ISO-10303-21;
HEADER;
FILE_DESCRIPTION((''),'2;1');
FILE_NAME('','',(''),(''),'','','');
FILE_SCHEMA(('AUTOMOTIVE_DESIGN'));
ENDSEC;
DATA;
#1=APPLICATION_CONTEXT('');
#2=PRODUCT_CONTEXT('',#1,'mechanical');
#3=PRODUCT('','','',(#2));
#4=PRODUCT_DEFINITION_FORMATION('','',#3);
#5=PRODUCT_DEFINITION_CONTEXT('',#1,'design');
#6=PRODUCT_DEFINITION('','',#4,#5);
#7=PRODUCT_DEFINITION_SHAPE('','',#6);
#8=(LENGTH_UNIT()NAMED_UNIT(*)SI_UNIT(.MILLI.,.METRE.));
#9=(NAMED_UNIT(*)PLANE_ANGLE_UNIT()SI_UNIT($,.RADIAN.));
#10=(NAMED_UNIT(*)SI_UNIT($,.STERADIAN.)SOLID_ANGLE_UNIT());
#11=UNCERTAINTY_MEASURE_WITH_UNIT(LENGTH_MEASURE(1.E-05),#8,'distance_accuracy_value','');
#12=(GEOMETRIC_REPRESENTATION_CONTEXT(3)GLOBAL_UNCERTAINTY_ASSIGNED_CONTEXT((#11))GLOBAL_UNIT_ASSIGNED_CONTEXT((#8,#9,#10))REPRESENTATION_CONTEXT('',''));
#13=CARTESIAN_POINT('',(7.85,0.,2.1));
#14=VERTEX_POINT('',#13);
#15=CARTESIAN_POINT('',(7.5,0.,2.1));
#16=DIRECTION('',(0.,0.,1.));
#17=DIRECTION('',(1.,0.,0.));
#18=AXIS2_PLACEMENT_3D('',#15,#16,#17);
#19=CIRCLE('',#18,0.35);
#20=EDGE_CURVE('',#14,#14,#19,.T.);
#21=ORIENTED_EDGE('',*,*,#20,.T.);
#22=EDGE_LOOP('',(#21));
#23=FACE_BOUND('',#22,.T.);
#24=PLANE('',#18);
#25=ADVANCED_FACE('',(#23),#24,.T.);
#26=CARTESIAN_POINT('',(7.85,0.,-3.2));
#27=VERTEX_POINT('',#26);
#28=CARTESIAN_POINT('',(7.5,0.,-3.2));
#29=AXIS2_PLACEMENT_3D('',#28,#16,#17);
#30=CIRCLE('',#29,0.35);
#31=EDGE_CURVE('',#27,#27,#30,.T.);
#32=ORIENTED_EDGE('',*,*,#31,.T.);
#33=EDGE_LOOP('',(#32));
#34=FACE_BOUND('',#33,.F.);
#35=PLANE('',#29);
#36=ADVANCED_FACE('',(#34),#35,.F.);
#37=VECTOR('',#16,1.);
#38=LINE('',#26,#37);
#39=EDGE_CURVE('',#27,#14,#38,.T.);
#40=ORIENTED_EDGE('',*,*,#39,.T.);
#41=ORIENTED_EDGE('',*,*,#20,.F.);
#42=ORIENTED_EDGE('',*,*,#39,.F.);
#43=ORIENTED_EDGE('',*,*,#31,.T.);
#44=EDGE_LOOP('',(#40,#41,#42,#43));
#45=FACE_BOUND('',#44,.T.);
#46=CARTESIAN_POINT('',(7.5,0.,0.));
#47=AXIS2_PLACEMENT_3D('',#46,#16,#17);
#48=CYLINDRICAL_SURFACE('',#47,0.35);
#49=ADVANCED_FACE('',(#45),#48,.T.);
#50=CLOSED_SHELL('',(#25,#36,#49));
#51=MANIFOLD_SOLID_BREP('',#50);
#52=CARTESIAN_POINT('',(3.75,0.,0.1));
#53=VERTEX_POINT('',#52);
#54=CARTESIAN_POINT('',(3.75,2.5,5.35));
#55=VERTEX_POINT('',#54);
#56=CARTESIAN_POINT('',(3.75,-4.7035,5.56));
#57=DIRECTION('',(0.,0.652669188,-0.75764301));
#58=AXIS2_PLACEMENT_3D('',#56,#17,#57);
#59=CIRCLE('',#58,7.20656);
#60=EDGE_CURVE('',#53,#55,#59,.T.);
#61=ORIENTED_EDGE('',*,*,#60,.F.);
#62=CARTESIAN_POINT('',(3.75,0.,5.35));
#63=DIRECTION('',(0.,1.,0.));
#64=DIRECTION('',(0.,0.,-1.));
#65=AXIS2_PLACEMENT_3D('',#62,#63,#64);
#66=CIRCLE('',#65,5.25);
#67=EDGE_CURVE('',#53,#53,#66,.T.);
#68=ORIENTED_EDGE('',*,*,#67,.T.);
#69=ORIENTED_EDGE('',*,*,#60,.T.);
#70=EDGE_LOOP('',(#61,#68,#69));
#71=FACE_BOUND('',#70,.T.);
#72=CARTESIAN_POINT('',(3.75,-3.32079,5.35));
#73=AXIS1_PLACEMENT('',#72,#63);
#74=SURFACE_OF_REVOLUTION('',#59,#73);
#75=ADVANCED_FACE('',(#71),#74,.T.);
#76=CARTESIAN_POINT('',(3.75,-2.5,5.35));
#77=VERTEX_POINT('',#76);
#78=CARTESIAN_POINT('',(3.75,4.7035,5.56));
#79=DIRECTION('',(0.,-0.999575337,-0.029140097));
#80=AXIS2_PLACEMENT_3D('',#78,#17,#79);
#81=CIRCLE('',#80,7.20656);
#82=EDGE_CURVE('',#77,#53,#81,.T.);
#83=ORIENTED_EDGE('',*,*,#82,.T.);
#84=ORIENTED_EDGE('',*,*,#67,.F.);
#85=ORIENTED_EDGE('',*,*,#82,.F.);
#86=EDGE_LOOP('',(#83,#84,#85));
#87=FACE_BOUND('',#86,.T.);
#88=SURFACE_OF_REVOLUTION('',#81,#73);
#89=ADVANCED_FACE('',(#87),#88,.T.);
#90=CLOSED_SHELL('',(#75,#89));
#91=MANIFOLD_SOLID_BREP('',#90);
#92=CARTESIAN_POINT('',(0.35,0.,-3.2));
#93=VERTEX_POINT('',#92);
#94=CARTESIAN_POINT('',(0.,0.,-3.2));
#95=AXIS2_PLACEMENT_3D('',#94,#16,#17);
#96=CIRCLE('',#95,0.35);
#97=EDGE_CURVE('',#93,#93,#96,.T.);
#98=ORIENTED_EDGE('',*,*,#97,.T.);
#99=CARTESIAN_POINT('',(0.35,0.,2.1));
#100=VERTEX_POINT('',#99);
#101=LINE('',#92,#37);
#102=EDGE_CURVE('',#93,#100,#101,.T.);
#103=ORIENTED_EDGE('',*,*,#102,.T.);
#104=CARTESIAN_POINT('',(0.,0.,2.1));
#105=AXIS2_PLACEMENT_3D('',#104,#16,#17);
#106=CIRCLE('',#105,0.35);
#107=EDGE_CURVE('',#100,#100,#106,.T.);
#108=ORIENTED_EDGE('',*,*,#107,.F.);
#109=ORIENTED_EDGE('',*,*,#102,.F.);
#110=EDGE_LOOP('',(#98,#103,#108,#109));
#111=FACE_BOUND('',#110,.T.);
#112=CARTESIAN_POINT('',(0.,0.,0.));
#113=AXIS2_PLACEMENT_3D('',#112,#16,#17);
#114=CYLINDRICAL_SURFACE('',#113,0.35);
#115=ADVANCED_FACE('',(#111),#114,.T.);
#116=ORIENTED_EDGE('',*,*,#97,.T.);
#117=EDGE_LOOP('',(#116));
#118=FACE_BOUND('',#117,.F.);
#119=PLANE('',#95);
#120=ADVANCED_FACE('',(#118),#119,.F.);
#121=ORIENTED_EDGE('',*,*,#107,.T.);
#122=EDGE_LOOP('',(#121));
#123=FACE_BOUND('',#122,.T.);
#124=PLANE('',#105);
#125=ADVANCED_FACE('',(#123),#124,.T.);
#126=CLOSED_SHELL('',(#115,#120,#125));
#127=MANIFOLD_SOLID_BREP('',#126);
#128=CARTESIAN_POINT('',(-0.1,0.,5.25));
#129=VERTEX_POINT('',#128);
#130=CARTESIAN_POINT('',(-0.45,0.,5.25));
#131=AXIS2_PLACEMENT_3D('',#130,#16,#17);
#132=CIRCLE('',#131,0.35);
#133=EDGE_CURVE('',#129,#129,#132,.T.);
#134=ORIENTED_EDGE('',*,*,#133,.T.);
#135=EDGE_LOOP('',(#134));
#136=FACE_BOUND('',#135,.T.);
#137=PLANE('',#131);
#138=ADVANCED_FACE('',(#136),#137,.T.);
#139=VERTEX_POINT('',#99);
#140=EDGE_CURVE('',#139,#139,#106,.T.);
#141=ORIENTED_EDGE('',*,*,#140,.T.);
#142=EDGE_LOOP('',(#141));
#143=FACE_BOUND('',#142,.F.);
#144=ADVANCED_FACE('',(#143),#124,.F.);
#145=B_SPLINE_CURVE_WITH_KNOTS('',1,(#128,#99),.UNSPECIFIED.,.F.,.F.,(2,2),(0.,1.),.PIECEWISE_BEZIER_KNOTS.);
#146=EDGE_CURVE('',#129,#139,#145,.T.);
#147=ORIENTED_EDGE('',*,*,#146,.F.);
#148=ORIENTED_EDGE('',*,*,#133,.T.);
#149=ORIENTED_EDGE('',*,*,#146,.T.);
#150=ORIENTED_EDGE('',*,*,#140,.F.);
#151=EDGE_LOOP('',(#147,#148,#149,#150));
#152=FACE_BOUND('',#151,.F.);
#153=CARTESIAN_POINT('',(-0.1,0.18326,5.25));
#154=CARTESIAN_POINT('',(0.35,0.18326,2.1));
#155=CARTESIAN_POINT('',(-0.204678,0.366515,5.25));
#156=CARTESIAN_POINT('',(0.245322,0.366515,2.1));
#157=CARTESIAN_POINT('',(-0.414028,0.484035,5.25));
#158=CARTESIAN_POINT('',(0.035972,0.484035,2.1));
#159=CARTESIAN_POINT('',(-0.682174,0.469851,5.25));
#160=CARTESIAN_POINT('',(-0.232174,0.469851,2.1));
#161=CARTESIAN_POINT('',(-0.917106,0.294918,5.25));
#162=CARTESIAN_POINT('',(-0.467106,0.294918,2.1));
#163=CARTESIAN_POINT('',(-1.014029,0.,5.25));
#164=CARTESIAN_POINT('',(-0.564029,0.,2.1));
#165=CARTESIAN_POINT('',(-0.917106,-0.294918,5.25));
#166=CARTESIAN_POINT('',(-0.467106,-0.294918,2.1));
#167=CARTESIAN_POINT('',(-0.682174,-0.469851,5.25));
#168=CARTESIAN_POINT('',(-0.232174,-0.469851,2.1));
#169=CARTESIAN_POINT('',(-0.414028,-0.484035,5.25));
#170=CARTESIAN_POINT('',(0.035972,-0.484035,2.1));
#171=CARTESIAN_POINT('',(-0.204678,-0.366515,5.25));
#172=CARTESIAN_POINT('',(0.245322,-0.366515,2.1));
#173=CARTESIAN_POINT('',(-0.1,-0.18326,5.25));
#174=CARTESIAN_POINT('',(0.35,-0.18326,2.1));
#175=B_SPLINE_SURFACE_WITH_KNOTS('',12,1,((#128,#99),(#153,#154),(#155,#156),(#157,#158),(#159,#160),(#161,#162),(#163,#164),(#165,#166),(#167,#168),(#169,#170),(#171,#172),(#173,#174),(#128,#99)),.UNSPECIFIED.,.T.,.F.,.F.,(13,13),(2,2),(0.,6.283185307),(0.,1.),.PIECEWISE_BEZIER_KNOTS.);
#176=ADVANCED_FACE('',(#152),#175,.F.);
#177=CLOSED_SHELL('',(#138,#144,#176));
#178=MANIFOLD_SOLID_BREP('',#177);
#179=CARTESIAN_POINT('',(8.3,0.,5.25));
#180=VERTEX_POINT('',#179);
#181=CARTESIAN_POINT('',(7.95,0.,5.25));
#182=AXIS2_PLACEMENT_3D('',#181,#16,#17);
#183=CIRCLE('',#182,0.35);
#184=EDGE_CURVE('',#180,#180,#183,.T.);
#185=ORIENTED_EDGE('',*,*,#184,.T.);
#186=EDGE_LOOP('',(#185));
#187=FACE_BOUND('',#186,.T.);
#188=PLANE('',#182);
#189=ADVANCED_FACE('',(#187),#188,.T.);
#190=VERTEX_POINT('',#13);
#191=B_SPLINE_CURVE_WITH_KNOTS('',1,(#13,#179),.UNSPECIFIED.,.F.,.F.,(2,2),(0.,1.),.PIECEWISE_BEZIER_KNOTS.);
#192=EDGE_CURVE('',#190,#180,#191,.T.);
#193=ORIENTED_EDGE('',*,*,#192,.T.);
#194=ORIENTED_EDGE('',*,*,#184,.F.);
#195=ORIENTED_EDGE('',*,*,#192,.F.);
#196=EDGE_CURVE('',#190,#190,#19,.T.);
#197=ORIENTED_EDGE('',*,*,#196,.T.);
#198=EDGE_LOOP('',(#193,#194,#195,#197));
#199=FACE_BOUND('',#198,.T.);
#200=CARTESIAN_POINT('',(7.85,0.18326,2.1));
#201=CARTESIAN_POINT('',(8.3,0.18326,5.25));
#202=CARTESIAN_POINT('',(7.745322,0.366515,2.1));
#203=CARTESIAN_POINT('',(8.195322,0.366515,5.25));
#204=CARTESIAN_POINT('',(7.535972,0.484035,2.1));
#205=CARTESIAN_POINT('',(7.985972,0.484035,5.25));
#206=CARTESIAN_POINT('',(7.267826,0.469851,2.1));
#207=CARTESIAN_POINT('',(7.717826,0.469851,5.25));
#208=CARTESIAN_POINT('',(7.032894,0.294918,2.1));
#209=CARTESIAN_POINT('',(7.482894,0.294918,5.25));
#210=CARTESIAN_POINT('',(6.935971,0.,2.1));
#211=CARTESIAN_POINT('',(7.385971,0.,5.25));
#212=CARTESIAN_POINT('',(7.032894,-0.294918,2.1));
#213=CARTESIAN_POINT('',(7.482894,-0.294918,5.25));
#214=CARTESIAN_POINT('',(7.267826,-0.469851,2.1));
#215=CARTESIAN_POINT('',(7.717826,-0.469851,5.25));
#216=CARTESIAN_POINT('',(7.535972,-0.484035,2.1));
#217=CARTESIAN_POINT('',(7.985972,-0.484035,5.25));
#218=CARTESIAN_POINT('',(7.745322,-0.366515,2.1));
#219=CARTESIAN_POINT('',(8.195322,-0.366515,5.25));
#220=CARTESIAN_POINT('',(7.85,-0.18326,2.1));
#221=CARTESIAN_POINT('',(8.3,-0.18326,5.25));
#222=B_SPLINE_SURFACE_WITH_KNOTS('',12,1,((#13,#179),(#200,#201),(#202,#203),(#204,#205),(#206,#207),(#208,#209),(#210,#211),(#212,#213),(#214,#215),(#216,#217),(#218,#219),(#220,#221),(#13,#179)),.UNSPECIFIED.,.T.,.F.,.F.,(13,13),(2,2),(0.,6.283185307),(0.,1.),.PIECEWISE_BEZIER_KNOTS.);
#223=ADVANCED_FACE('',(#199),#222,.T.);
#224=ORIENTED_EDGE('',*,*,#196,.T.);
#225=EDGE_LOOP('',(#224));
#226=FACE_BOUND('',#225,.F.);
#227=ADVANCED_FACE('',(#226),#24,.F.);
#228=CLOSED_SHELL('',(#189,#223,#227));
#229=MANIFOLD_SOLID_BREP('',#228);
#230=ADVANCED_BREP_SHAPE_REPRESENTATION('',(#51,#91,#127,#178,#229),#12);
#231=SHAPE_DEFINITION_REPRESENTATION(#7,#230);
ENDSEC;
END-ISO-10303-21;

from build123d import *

# Parameters (mm, degrees)
SKETCH001_R       = 0.35
PAD001_DEPTH      = 2.1
PAD001_DEPTH_BACK = 3.2
SKETCH002_R       = 0.35
SKETCH003_R       = 0.35
SKETCH004_R       = 0.35
SKETCH005_R       = 0.35


with BuildPart() as pad001:
    # Sketch001 → Pad001 (new body, two sides)
    with BuildSketch(Plane.XY) as pad001_sk:
        Circle(SKETCH001_R)
        with Locations((7.5, 0)):
            Circle(SKETCH001_R)
    extrude(amount=PAD001_DEPTH)
    extrude(pad001_sk.sketch, amount=-PAD001_DEPTH_BACK)


with BuildPart() as revolution:
    # Sketch → Revolution (revolve)
    with BuildSketch(Plane.YZ.offset(3.75)):
        with BuildLine():
            Line((-2.5, 5.35), (2.5, 5.35))
            ThreePointArc((0, 0.1), (1.803019, 2.461658), (2.5, 5.35))
            ThreePointArc((-2.5, 5.35), (-1.803019, 2.461658), (0, 0.1))
        make_face()
    revolve(axis=Axis((3.75, -3.32079, 5.35), (0, 1, 0)))


with BuildPart() as loft_body:
    # Sketch002 → Loft section 0
    with BuildSketch(Plane.XY.offset(5.25)):
        with Locations((-0.45, 0)):
            Circle(SKETCH002_R)
    # Sketch003 → Loft section 1
    with BuildSketch(Plane.XY.offset(2.1)):
        Circle(SKETCH003_R)
    loft()


with BuildPart() as loft001:
    # Sketch004 → Loft001 section 0
    with BuildSketch(Plane.XY.offset(2.1)):
        with Locations((7.5, 0)):
            Circle(SKETCH004_R)
    # Sketch005 → Loft001 section 1
    with BuildSketch(Plane.XY.offset(5.25)):
        with Locations((7.95, 0)):
            Circle(SKETCH005_R)
    loft()


solid = Compound([pad001.part, revolution.part, loft_body.part, loft001.part])
